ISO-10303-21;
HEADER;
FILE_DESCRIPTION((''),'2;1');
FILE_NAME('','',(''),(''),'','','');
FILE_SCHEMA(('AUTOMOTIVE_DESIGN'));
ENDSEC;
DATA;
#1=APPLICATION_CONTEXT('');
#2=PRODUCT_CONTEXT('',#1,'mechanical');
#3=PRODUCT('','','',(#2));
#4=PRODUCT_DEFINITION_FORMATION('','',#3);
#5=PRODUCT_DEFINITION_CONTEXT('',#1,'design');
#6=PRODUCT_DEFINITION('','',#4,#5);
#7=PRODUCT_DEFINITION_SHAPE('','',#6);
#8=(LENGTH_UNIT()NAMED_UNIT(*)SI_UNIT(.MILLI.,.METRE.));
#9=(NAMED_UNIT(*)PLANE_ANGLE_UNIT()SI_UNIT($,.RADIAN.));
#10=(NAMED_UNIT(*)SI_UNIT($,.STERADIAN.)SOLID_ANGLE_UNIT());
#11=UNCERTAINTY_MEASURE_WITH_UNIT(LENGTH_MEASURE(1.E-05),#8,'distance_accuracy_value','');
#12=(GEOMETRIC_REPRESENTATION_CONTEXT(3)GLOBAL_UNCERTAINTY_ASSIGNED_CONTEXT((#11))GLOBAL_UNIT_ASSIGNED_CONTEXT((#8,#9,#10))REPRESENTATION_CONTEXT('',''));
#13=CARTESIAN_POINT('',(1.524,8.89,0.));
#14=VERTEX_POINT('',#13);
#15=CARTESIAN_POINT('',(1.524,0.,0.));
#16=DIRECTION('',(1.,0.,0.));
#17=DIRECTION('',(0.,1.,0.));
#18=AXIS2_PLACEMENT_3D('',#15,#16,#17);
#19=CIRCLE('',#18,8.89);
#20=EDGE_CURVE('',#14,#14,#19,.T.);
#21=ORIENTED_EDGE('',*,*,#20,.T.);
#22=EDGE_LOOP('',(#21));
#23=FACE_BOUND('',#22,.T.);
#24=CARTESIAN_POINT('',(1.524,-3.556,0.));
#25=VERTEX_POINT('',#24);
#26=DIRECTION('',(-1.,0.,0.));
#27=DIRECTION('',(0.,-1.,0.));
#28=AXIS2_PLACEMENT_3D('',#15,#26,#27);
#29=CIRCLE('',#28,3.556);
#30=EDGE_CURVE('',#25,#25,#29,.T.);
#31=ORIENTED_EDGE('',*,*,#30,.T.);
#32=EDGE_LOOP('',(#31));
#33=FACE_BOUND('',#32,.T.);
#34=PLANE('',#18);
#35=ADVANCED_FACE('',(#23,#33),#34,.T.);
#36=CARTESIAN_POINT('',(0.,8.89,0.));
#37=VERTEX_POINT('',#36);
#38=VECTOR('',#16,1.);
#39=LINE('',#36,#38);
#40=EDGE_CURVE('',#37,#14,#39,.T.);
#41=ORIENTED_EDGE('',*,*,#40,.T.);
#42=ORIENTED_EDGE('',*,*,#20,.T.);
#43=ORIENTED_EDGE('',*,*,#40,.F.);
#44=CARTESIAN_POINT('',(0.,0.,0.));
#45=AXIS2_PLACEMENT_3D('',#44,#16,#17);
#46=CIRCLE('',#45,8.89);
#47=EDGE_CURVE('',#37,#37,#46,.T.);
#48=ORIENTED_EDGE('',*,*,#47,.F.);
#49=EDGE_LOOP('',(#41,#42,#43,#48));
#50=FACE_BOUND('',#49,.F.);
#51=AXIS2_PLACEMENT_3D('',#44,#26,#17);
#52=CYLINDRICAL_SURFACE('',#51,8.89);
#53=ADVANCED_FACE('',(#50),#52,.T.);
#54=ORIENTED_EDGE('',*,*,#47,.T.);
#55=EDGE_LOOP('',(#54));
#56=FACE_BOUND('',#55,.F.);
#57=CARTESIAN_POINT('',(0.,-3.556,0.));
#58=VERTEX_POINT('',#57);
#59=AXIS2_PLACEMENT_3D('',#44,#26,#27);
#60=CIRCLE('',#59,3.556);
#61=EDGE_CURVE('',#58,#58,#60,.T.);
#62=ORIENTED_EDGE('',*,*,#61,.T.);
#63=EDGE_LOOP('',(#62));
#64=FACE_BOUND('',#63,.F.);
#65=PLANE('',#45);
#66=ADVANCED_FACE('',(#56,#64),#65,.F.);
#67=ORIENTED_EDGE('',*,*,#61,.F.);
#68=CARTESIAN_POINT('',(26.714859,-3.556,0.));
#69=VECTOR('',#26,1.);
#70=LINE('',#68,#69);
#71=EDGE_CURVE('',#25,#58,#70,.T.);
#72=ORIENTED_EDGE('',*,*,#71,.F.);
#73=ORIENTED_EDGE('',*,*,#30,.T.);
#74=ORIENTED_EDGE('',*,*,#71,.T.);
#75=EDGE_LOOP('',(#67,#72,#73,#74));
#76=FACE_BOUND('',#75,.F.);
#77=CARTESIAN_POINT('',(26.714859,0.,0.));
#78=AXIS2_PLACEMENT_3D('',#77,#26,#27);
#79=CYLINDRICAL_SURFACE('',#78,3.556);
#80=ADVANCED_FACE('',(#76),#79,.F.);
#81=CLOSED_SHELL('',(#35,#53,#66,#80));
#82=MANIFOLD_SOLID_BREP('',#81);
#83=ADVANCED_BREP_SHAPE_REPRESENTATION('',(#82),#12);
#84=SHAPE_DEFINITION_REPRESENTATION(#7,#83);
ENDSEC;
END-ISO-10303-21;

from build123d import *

# Parameters (mm, degrees)
F0_R     = 8.89
F1_DEPTH = 1.524
F3_D     = 7.112


with BuildPart() as f1:
    # F0 (on Right) → F1 (new body)
    with BuildSketch(Plane.YZ):
        Circle(F0_R)
    extrude(amount=F1_DEPTH)

    # F3 (through all)
    with Locations(Plane.YZ.offset(1.524)):
        with Locations((0, 0)):
            Hole(F3_D / 2)


solid = f1.part
